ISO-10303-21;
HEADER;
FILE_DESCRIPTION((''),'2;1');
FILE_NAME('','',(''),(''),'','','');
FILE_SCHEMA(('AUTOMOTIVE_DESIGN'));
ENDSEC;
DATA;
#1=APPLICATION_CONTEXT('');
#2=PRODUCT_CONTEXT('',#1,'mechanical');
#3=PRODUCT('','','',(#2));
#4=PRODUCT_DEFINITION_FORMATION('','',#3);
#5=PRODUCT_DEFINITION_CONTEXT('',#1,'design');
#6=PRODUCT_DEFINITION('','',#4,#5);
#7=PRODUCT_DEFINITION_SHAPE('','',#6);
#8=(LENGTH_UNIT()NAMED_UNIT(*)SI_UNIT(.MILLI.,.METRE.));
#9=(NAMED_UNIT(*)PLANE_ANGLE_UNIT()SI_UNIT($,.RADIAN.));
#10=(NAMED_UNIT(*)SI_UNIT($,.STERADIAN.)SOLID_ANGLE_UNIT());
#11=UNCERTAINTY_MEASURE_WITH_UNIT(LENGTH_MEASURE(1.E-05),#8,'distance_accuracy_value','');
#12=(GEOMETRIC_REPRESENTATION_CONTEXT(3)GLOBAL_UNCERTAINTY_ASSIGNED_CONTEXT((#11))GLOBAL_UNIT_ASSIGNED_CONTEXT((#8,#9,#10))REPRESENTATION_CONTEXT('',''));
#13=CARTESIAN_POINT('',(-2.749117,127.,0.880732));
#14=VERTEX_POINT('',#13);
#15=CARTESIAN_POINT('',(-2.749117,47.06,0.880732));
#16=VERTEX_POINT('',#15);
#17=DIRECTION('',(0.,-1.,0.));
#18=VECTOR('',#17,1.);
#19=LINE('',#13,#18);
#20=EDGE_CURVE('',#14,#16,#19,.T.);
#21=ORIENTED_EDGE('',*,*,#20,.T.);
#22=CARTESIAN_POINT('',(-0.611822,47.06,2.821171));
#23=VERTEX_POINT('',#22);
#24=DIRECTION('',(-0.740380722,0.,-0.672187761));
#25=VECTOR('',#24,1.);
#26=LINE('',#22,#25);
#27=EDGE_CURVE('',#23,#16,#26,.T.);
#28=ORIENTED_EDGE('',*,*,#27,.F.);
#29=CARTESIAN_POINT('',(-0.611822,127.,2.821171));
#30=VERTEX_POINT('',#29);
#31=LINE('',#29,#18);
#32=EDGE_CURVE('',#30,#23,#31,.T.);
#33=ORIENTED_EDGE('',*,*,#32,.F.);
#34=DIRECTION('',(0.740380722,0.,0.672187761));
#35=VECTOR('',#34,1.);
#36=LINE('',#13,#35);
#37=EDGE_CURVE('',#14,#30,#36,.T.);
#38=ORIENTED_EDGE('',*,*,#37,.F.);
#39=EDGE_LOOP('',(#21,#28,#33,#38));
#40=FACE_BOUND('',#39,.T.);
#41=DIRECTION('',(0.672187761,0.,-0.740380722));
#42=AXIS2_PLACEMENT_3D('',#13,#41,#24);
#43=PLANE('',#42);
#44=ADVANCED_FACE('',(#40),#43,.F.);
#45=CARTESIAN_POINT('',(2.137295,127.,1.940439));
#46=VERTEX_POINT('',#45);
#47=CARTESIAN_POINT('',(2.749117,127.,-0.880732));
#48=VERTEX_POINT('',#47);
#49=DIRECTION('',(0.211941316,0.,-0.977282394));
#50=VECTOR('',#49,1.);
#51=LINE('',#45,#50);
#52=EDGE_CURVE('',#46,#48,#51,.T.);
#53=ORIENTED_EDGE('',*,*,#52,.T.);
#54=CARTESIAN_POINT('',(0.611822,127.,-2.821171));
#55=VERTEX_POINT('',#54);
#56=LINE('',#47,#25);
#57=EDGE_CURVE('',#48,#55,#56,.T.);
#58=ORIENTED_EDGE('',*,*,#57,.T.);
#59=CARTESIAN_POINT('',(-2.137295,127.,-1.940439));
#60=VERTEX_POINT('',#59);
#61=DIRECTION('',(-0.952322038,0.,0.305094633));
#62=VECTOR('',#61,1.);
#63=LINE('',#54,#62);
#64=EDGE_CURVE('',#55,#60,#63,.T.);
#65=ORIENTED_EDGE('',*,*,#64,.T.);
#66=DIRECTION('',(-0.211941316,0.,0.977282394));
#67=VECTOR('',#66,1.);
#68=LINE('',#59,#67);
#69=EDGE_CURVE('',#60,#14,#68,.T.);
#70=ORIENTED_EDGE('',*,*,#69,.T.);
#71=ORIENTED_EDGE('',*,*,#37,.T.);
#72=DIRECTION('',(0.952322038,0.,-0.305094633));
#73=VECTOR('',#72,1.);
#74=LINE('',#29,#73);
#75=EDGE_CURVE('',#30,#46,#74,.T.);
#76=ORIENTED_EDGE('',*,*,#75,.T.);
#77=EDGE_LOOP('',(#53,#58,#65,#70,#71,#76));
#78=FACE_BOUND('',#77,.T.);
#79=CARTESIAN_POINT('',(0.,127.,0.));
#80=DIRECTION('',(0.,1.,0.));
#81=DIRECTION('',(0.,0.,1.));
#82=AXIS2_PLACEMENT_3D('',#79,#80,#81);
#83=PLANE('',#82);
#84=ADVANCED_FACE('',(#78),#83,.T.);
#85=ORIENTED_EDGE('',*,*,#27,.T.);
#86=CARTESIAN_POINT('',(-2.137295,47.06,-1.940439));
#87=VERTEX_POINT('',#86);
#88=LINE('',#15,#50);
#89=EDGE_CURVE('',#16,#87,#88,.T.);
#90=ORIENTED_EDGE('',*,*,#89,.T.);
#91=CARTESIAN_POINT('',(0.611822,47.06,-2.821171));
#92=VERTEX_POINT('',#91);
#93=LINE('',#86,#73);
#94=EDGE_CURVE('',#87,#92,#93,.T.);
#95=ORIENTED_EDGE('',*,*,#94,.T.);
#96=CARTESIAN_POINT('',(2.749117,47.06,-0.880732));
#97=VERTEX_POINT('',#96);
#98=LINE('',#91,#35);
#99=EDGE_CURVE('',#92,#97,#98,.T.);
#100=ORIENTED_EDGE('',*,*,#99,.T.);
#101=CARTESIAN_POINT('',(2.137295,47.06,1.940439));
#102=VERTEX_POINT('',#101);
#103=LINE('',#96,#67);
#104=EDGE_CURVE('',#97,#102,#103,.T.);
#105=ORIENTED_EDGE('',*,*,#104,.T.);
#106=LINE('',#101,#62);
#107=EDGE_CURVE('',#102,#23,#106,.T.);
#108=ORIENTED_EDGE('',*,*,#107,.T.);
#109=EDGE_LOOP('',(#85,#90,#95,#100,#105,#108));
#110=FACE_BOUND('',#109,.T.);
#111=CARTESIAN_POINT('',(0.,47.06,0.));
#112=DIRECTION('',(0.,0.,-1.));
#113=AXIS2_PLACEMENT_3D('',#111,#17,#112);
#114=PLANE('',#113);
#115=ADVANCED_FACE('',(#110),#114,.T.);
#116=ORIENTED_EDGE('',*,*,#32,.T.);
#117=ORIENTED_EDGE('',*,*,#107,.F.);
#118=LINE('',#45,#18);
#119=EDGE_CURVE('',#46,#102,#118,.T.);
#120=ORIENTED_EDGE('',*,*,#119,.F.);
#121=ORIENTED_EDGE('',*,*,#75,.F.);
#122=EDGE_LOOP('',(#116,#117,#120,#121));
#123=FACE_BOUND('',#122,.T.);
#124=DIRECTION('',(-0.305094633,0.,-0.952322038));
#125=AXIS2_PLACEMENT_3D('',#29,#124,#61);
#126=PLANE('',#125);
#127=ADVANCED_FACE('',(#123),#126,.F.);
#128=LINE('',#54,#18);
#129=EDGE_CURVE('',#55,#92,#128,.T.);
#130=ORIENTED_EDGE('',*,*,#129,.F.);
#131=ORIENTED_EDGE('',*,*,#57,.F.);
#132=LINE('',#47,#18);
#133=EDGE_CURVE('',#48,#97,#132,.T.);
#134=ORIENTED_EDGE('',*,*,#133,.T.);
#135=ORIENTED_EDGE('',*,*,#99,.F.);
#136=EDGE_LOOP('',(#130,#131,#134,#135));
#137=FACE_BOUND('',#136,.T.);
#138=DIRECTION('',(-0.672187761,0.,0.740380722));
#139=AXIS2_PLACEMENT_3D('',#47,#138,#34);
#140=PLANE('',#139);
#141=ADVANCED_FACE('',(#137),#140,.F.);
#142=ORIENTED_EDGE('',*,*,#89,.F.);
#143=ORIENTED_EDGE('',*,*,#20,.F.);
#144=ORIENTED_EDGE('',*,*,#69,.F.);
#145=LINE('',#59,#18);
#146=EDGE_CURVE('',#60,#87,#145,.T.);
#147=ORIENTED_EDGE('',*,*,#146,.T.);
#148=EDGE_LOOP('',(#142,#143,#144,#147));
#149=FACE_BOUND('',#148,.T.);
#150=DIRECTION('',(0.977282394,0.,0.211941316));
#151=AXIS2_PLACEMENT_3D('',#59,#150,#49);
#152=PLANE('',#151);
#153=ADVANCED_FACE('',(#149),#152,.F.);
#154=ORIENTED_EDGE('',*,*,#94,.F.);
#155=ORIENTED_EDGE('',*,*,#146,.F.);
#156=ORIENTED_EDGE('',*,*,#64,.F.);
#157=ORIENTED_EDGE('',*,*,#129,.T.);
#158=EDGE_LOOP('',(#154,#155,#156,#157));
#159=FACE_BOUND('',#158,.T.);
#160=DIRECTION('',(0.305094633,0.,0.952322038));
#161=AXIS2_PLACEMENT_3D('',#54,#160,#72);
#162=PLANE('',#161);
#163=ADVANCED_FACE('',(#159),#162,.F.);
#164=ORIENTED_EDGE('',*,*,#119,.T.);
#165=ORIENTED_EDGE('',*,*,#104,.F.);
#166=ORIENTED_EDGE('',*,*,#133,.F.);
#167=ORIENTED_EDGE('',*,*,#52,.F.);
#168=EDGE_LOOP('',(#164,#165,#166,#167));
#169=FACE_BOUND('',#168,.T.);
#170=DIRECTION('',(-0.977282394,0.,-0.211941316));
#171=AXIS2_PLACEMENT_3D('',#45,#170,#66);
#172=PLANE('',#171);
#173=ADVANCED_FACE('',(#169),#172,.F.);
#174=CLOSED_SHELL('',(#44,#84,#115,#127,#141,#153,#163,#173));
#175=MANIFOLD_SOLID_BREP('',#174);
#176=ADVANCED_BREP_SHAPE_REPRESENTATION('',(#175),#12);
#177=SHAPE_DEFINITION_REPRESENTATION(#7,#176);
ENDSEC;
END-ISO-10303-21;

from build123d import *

# Parameters (mm, degrees)
BOSS_EXTRUDE1_DEPTH = 127
SKETCH3_W           = 20.194547067
SKETCH3_H           = 18.170773651
CUT_EXTRUDE1_DEPTH  = 38.1
BOSS_EXTRUDE2_DEPTH = 2.54
SKETCH5_W           = 34.517572909
SKETCH5_H           = 22.340458643
CUT_EXTRUDE2_DEPTH  = 50
BOSS_EXTRUDE3_DEPTH = 25
BOSS_EXTRUDE4_DEPTH = 13.5


with BuildPart() as part:
    # Sketch2 → Boss-Extrude1 (new body)
    with BuildSketch(Plane(origin=(0, 0, 0), x_dir=(1, 0, 0), z_dir=(0, 1, 0))):
        Polygon((2.137295047, -1.940438924), (2.749116926, 0.880732344), (0.611821879, 2.821171268), (-2.137295047, 1.940438924), (-2.749116926, -0.880732344), (-0.611821879, -2.821171268), align=None)
    extrude(amount=BOSS_EXTRUDE1_DEPTH)

    # Sketch3 → Cut-Extrude1 (cut)
    with BuildSketch(Plane.XZ):
        with Locations((-3.121926418, 0.771419978)):
            Rectangle(SKETCH3_W, SKETCH3_H)
    extrude(amount=-CUT_EXTRUDE1_DEPTH, mode=Mode.SUBTRACT)

    # Sketch4 → Boss-Extrude2 (add)
    with BuildSketch(Plane.XZ.offset(-38.1)):
        Polygon((0.611821879, -2.821171268), (2.749116926, -0.880732344), (2.137295047, 1.940438924), (-0.611821879, 2.821171268), (-2.749116926, 0.880732344), (-2.137295047, -1.940438924), align=None)
    extrude(amount=BOSS_EXTRUDE2_DEPTH)

    # Sketch5 → Cut-Extrude2 (cut)
    with BuildSketch(Plane.XZ.offset(-35.56)):
        with Locations((-1.3482575, -1.032578251)):
            Rectangle(SKETCH5_W, SKETCH5_H)
    extrude(amount=-CUT_EXTRUDE2_DEPTH, mode=Mode.SUBTRACT)

    # Sketch7 → Boss-Extrude3 (add)
    with BuildSketch(Plane.XZ.offset(-85.56)):
        Polygon((0.611821879, -2.821171268), (2.749116926, -0.880732344), (2.137295047, 1.940438924), (-0.611821879, 2.821171268), (-2.749116926, 0.880732344), (-2.137295047, -1.940438924), align=None)
    extrude(amount=BOSS_EXTRUDE3_DEPTH)

    # Sketch8 → Boss-Extrude4 (add)
    with BuildSketch(Plane.XZ.offset(-60.56)):
        Polygon((0.611821879, -2.821171268), (2.749116926, -0.880732344), (2.137295047, 1.940438924), (-0.611821879, 2.821171268), (-2.749116926, 0.880732344), (-2.137295047, -1.940438924), align=None)
    extrude(amount=BOSS_EXTRUDE4_DEPTH)


solid = part.part
